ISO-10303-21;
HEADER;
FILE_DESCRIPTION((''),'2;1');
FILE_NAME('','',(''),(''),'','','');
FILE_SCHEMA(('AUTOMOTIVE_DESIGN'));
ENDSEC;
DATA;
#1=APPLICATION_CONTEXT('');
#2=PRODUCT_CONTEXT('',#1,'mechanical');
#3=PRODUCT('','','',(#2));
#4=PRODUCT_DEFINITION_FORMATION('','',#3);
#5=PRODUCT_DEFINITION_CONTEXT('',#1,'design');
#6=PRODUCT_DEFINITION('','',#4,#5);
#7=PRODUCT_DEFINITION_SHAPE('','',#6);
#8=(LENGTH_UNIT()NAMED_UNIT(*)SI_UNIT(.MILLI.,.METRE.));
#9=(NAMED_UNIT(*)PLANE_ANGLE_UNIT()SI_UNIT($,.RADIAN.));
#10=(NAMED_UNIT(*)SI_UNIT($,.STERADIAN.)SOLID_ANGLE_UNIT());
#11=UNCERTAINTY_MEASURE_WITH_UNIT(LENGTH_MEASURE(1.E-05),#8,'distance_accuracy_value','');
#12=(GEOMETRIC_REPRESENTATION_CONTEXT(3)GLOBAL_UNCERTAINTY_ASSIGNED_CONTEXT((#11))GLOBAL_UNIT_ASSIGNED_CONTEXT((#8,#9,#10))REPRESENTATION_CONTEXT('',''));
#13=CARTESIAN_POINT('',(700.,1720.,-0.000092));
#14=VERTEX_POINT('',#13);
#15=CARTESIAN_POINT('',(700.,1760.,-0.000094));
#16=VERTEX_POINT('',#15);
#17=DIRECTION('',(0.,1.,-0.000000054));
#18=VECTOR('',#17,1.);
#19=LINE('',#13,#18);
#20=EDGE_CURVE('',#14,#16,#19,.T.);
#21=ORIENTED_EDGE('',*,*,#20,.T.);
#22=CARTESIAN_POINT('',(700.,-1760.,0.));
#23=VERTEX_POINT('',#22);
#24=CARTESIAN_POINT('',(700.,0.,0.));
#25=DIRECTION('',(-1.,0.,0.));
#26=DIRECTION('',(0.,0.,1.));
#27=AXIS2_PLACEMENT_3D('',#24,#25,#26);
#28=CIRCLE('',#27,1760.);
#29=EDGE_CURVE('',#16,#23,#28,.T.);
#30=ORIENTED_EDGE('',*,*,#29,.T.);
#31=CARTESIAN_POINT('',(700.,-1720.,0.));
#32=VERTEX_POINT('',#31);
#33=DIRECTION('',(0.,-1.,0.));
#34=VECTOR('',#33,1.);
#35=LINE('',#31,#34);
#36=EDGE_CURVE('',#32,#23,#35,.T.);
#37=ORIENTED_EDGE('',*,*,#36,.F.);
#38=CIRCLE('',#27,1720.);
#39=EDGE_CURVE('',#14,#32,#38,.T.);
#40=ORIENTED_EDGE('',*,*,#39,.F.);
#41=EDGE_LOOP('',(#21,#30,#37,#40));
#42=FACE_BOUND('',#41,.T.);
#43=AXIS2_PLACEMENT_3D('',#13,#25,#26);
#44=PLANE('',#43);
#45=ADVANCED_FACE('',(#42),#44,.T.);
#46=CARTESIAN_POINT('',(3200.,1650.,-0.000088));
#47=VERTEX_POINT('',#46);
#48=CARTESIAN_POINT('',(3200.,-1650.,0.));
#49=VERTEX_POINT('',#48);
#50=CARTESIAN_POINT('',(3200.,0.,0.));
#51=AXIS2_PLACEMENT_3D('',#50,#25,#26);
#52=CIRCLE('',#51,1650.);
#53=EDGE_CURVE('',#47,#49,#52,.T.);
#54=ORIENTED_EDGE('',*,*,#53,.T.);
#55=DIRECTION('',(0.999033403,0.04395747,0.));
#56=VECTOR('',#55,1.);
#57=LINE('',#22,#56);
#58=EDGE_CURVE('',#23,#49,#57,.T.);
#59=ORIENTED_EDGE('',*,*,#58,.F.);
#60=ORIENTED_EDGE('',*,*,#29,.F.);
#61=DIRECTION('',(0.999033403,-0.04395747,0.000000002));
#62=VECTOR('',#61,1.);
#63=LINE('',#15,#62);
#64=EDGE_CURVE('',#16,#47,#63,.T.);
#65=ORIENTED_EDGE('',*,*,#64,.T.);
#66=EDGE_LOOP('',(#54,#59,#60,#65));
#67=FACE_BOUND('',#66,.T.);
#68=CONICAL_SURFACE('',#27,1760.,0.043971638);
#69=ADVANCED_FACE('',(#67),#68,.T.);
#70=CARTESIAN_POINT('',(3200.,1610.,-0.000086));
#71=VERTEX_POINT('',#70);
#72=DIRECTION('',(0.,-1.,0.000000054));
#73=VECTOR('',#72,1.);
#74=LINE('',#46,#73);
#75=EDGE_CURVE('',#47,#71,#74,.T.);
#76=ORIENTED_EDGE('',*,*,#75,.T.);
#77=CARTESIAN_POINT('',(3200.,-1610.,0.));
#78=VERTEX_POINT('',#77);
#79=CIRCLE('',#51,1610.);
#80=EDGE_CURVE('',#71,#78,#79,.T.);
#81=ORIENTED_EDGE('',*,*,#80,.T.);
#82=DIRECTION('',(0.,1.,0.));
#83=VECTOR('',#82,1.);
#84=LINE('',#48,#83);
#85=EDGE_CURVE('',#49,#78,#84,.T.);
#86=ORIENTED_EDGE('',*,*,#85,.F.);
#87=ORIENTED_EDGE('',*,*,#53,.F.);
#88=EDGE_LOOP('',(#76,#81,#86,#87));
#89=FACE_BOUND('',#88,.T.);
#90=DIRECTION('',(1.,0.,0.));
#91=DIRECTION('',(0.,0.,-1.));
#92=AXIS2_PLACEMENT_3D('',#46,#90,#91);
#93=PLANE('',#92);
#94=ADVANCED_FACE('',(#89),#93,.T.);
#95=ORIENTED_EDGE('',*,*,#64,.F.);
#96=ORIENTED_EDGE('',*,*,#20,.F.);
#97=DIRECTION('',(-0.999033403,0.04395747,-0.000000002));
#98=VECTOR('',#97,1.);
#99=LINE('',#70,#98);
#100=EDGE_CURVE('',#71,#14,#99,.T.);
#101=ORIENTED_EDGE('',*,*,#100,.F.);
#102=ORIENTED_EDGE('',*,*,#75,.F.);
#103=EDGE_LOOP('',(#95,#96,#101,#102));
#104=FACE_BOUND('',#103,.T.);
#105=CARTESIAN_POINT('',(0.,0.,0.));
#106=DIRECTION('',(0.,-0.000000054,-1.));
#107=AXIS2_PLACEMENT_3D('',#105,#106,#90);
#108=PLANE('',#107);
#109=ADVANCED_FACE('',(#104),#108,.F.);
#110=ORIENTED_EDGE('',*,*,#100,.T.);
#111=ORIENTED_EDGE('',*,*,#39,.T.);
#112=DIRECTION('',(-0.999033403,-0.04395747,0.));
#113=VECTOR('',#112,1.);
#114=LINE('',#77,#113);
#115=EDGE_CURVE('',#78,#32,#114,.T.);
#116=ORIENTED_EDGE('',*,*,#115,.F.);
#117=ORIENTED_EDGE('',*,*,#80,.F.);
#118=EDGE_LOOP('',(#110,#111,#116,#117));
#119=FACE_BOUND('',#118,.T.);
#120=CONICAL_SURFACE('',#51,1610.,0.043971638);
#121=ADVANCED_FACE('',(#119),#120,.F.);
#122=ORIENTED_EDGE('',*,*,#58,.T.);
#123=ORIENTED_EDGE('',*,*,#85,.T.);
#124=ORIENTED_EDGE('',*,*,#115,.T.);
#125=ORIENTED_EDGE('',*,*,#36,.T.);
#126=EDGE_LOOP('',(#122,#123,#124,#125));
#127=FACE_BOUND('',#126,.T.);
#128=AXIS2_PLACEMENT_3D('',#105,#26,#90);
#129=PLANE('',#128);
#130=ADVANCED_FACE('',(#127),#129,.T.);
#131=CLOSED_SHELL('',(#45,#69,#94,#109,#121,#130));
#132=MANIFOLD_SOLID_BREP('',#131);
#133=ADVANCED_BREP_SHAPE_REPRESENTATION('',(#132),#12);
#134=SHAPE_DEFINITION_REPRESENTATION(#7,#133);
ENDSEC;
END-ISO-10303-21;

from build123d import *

# Parameters (mm, degrees)
REVOLVE1_ANGLE = 179.99999693


with BuildPart() as part:
    # Sketch1 → Revolve1 (revolve)
    with BuildSketch(Plane.XY):
        Polygon((700, -1720), (700, -1760), (3200, -1650), (3200, -1610), align=None)
    revolve(axis=Axis((0, 0, 0), (1, 0, 0)), revolution_arc=REVOLVE1_ANGLE)


solid = part.part
